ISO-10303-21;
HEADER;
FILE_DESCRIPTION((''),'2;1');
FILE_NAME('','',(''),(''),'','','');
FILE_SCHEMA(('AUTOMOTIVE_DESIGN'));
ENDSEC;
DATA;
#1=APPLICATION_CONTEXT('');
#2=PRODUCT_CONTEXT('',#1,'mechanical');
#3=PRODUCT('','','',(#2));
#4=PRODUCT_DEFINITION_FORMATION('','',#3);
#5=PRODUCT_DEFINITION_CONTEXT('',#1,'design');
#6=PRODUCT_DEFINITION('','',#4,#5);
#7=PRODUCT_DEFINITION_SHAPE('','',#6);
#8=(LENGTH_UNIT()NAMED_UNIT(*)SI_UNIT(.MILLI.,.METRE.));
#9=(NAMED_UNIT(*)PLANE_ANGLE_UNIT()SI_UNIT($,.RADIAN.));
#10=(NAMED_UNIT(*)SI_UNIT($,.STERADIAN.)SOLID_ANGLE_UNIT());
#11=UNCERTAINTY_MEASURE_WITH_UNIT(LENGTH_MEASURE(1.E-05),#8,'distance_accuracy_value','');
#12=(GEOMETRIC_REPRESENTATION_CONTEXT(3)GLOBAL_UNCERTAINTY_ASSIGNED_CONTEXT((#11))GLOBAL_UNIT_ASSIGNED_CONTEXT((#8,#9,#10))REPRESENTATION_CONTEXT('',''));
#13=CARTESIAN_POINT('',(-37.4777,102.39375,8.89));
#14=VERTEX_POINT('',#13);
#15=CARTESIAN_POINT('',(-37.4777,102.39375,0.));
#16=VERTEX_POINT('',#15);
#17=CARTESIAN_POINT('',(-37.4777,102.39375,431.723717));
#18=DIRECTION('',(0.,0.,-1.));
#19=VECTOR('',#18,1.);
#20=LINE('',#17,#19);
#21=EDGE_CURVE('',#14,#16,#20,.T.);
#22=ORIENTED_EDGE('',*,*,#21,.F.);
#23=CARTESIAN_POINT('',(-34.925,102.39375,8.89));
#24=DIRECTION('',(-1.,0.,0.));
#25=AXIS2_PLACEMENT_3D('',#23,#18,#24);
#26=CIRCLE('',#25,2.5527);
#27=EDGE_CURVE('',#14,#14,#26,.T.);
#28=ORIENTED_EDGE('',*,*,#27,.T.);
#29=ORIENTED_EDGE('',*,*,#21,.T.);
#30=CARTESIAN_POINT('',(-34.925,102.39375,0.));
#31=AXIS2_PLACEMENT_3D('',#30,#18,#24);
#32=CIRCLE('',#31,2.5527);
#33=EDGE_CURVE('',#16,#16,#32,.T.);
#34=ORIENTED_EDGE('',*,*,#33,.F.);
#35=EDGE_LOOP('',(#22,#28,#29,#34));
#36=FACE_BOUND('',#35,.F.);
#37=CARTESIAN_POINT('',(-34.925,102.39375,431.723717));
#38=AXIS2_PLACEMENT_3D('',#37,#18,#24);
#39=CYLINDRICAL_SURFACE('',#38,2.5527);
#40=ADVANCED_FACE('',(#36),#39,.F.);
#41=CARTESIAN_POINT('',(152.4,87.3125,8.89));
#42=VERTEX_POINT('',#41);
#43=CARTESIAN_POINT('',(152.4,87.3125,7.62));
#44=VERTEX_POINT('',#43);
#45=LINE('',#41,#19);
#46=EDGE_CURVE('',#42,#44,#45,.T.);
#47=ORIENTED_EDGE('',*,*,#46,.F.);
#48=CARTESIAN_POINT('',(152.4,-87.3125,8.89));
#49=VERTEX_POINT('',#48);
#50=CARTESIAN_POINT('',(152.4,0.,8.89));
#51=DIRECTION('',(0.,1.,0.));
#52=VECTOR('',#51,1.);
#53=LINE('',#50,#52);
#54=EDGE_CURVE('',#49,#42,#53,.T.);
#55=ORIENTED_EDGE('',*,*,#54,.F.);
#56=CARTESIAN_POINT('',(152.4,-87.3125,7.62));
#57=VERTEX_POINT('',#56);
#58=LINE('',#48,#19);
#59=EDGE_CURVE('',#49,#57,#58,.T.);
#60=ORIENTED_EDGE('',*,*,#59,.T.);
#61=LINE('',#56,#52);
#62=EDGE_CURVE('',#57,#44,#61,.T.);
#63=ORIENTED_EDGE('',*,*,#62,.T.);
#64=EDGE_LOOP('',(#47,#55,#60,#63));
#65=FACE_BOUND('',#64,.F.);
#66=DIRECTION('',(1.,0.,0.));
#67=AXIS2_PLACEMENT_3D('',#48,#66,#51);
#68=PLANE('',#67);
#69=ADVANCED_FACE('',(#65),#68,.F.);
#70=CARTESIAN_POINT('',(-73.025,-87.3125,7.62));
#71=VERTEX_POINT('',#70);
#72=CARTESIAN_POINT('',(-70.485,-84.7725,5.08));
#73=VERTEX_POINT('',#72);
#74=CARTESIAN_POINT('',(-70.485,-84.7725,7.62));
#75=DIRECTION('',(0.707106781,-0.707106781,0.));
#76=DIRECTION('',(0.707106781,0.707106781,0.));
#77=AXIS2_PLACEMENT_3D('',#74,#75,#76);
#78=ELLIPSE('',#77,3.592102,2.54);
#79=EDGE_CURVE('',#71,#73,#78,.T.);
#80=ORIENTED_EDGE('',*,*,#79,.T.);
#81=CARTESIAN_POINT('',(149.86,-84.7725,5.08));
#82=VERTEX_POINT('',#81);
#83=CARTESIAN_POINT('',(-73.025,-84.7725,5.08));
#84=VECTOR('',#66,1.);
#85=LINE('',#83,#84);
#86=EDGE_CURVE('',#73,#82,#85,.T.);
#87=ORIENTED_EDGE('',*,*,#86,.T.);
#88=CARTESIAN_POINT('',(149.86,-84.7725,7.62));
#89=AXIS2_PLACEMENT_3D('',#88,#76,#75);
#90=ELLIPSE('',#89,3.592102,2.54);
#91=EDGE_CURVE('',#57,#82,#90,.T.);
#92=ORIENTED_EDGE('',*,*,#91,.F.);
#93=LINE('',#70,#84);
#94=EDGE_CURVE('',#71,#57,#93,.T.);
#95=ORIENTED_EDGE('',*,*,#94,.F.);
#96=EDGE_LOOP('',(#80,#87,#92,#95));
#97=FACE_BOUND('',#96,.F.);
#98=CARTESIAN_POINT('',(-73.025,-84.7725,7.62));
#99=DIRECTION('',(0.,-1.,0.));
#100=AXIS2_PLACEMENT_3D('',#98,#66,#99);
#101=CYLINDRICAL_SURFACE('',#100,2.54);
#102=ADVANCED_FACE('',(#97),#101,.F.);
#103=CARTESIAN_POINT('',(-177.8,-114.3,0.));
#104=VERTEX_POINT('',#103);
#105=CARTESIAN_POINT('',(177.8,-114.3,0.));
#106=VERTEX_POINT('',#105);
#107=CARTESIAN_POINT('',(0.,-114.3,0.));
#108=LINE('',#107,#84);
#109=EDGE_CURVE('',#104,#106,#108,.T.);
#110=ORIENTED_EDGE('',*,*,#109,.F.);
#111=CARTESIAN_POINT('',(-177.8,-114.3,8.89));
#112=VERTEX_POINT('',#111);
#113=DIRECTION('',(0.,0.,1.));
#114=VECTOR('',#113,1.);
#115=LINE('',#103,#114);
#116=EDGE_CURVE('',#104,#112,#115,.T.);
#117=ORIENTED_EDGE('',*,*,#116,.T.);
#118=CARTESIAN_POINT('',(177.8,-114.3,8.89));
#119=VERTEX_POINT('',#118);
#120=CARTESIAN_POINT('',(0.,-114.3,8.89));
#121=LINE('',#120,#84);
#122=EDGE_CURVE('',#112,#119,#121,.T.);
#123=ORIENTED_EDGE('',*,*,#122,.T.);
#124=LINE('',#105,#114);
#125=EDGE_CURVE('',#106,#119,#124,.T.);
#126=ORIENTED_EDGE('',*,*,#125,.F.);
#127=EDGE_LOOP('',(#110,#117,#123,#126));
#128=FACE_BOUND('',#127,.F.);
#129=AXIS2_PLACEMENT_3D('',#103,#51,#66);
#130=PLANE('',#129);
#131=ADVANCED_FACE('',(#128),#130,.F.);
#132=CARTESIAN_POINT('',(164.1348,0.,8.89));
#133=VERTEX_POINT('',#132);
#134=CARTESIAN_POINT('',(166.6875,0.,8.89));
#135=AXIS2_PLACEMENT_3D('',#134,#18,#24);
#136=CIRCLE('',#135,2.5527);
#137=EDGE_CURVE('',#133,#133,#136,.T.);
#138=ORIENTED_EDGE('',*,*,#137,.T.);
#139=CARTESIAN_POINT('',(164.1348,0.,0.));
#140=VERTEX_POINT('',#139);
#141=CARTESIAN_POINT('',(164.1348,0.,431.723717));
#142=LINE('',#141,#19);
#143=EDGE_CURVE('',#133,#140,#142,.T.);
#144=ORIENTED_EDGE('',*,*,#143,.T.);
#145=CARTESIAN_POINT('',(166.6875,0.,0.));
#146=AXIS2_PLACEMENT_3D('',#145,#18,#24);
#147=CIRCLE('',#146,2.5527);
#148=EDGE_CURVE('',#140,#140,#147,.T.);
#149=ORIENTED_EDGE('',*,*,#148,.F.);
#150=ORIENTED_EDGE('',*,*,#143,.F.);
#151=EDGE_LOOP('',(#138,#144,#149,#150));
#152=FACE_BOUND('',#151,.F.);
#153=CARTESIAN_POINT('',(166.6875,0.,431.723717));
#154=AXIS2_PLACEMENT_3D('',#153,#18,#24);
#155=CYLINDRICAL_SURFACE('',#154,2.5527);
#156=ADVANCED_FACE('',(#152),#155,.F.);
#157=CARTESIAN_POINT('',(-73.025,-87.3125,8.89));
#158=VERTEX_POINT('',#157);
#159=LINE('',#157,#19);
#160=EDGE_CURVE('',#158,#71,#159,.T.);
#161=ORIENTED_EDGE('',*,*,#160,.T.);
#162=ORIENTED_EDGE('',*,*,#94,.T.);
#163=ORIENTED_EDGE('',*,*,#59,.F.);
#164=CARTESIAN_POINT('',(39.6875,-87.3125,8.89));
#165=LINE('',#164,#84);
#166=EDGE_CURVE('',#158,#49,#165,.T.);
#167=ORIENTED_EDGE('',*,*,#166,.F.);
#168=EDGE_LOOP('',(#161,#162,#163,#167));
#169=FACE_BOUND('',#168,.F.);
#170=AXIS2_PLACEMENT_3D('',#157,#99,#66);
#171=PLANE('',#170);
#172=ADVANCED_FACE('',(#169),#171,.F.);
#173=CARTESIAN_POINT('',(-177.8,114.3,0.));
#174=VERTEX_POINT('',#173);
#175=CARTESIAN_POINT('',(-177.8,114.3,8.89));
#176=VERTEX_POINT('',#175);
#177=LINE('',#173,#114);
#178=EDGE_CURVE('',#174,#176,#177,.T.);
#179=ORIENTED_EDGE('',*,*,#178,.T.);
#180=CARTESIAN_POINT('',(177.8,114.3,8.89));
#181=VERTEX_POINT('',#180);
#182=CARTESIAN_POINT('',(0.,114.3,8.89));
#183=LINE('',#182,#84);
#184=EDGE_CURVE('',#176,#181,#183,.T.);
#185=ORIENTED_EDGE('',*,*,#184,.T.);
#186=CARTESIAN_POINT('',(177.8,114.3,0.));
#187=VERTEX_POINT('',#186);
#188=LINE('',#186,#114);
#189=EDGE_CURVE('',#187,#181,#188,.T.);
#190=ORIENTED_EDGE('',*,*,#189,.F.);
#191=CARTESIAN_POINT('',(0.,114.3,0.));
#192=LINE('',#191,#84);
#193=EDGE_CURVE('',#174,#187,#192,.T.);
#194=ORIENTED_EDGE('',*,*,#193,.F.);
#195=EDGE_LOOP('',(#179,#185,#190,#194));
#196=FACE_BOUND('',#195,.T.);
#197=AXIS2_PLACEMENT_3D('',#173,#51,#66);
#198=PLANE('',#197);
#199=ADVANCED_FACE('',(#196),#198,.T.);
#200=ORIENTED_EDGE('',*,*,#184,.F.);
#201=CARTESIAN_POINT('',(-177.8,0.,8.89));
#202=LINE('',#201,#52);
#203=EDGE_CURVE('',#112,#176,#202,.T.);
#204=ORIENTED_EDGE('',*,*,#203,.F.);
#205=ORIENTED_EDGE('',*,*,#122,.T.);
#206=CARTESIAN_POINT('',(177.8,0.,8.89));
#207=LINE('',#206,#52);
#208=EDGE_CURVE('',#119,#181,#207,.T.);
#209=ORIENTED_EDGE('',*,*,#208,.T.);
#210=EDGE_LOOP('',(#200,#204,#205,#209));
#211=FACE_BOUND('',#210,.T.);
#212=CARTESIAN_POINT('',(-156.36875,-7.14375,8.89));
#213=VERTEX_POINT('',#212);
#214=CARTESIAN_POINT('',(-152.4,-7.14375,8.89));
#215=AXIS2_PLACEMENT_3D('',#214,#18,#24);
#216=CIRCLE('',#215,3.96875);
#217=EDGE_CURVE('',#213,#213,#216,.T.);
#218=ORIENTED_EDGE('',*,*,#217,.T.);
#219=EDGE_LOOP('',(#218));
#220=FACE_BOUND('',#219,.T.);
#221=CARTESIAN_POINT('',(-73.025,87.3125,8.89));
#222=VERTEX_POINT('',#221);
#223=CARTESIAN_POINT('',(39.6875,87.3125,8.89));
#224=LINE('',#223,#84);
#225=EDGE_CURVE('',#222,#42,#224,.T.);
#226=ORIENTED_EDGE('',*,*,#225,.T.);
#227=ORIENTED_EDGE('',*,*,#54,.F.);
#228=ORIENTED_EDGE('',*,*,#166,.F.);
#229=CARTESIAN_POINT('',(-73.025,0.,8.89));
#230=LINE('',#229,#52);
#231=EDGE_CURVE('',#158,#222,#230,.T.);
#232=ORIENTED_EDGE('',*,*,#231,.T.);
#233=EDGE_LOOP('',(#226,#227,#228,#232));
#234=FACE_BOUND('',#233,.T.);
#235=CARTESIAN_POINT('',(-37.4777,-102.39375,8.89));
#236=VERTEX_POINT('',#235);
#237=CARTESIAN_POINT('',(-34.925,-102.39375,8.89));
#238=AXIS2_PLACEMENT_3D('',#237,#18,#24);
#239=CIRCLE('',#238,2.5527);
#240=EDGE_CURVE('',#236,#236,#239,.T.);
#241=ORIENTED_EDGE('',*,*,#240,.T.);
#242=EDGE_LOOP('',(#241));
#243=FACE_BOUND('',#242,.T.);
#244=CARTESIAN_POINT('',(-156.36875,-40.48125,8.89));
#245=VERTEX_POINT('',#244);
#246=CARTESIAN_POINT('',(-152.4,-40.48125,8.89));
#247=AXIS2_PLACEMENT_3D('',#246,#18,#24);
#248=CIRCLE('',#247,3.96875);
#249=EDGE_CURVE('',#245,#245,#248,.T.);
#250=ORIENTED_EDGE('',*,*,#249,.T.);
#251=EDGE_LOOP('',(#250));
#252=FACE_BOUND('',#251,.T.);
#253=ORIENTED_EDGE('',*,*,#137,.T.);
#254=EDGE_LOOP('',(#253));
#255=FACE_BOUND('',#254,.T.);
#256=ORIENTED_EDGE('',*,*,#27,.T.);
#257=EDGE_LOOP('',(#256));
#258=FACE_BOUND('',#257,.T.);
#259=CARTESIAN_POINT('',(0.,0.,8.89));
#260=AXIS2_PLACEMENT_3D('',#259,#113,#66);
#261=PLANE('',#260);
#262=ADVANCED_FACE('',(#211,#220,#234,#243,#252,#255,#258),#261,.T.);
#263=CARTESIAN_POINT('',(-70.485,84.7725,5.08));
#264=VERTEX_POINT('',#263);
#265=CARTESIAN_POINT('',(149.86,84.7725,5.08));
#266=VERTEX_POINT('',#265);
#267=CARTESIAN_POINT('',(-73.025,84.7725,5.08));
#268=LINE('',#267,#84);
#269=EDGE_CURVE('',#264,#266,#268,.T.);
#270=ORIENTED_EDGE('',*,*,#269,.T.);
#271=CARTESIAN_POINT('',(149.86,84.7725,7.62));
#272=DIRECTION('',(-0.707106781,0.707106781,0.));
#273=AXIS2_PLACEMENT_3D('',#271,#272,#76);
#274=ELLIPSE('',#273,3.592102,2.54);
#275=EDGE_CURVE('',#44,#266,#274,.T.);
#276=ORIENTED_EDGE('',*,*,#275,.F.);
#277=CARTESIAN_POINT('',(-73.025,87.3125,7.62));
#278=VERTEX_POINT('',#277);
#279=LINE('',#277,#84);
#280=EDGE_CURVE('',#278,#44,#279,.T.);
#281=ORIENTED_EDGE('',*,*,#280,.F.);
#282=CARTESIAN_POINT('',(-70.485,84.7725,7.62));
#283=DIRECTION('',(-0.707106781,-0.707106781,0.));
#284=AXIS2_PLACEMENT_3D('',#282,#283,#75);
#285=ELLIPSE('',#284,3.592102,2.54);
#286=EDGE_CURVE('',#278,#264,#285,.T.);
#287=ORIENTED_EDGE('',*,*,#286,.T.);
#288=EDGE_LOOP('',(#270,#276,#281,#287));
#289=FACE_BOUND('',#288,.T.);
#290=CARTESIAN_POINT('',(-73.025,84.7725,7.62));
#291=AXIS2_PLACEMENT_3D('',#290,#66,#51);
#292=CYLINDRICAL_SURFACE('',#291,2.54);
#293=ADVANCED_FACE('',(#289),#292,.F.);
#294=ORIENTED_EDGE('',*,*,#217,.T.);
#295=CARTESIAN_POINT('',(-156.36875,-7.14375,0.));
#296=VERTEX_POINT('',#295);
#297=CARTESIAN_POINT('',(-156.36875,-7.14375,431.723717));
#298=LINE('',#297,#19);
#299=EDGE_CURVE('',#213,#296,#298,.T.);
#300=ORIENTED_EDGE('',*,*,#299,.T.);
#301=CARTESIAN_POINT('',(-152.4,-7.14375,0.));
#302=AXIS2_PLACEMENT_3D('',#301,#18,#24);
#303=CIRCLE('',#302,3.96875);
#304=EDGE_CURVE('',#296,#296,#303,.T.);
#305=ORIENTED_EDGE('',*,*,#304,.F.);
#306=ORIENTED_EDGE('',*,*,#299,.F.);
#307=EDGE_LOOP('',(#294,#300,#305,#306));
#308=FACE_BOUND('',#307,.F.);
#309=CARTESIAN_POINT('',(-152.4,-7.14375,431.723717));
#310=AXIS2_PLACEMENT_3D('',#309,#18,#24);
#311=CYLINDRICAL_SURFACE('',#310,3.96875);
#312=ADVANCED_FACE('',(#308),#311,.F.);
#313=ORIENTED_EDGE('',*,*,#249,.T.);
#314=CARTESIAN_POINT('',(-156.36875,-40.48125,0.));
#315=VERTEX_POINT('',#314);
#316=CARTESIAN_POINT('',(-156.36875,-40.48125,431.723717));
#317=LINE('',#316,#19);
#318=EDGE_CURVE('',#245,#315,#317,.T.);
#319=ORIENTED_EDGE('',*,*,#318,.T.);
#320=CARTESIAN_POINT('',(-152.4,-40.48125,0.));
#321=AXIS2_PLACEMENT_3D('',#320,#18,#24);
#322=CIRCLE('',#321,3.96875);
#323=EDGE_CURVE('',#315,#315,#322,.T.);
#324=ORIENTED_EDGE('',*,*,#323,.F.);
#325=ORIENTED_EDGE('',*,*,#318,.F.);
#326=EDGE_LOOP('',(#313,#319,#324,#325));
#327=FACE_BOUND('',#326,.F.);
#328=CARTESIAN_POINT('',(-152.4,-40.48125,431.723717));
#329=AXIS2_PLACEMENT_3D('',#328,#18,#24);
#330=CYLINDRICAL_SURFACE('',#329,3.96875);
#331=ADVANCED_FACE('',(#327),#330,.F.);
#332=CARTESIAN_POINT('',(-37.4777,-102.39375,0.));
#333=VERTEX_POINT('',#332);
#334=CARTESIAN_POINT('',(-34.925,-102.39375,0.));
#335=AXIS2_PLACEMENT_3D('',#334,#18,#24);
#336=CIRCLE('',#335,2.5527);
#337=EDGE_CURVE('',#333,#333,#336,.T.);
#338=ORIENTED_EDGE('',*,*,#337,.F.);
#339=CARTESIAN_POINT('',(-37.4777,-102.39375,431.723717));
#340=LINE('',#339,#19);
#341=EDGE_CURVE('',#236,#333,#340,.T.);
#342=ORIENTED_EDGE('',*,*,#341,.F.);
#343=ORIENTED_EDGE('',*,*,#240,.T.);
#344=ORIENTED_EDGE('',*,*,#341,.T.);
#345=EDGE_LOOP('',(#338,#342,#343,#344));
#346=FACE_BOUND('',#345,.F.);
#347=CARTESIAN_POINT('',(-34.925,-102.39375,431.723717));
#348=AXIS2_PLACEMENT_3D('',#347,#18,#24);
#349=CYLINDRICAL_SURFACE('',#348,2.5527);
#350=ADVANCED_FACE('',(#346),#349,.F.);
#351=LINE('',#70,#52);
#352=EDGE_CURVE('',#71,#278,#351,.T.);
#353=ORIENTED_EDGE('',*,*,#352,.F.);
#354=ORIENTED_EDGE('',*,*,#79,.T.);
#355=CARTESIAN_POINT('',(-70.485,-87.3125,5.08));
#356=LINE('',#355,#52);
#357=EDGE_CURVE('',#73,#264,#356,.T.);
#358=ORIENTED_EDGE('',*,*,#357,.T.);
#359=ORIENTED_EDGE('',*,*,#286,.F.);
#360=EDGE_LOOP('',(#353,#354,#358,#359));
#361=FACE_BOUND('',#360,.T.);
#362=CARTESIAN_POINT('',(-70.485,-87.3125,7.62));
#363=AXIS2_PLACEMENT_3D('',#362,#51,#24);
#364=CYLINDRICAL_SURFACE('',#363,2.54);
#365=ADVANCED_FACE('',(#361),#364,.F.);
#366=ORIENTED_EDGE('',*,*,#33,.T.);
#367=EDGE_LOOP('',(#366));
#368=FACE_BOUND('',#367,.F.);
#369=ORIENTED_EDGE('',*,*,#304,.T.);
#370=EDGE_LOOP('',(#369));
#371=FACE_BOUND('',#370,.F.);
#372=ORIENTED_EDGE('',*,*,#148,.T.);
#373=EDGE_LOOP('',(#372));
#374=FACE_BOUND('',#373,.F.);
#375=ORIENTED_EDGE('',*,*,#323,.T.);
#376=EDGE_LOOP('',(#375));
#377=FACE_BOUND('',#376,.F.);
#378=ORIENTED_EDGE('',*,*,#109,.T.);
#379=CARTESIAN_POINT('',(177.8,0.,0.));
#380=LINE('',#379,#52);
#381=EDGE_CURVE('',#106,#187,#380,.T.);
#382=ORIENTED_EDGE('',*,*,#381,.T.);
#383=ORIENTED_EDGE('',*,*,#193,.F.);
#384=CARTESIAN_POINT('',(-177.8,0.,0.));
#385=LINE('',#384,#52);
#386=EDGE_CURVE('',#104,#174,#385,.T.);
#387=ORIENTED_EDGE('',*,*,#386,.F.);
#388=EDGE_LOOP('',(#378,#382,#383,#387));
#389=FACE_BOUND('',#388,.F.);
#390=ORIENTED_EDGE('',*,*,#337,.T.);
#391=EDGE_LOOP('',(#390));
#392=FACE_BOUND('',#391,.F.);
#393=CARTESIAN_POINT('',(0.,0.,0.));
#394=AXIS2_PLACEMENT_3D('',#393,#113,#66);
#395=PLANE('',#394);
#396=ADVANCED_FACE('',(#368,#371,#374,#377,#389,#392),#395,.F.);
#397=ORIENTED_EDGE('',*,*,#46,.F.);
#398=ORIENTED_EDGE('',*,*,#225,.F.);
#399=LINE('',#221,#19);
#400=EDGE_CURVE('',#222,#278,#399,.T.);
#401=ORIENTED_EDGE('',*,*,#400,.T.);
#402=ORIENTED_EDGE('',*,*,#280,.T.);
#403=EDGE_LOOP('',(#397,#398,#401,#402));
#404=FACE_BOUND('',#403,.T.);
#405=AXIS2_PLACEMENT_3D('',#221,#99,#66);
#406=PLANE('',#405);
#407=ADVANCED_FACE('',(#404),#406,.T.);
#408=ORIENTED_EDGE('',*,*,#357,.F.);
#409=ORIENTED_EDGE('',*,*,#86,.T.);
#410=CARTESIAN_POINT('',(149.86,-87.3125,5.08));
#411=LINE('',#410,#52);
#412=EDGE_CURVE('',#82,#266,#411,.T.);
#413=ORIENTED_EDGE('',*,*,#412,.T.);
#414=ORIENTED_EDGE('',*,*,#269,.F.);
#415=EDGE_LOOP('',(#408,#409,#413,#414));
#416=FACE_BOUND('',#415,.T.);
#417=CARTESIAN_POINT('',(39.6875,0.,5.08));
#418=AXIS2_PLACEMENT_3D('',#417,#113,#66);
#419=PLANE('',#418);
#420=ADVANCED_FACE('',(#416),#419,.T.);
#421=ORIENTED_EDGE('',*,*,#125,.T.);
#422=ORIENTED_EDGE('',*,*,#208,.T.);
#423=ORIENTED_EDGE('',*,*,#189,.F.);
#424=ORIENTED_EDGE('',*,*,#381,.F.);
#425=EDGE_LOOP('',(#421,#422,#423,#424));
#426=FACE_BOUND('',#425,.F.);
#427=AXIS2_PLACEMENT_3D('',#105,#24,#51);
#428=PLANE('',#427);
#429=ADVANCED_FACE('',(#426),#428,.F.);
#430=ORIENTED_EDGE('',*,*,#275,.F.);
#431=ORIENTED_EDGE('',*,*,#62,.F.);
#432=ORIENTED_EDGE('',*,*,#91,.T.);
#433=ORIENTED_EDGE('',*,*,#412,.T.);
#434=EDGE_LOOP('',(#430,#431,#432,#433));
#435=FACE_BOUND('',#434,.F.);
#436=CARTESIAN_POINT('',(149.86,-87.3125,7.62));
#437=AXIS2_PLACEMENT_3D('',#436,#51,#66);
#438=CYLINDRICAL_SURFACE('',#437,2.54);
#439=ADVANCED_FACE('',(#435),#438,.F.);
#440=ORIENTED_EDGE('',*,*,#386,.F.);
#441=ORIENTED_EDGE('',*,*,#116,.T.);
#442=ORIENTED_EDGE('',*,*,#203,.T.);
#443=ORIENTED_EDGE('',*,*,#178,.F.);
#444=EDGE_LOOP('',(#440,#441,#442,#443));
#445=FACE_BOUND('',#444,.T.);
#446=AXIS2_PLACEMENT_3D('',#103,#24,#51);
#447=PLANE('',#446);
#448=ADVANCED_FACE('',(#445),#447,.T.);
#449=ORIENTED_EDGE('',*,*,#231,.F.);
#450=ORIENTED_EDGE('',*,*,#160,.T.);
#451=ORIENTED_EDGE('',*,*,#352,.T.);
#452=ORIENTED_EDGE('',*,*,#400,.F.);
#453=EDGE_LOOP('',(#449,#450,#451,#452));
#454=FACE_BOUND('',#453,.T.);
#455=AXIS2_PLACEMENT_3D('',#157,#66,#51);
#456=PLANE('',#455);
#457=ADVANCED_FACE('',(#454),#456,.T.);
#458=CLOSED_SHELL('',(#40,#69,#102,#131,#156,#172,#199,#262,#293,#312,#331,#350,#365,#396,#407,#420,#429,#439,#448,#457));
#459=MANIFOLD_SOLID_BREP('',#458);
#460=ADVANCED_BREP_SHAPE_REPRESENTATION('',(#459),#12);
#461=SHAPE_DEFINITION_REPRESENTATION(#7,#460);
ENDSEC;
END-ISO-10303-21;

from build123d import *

# Parameters (mm, degrees)
F0_W     = 355.6
F0_H     = 228.6
F1_DEPTH = 8.89
F2_W     = 225.425
F2_H     = 174.625
F3_DEPTH = 3.81
F4_R     = 2.54
F6_D     = 5.1054
F8_D     = 7.9375


with BuildPart() as f1:
    # F0 (on Top) → F1 (new body)
    with BuildSketch(Plane.XY):
        Rectangle(F0_W, F0_H)
    extrude(amount=F1_DEPTH)

    # F2 (on face) → F3 (cut)
    with BuildSketch(Plane.XY.offset(8.89)):
        with Locations((39.6875, 0)):
            Rectangle(F2_W, F2_H)
    extrude(amount=-F3_DEPTH, mode=Mode.SUBTRACT)

    # F4
    f4_edges = [f1.edges().sort_by_distance(p)[0] for p in [
        (39.6875, -87.3125, 5.08),
        (152.4, 0, 5.08),
        (39.6875, 87.3125, 5.08),
        (-73.025, 0, 5.08),
    ]]
    fillet(f4_edges, radius=F4_R)

    # F6 (through all)
    with Locations(Plane.XY.offset(8.89)):
        with Locations((-34.925, -102.39375), (-34.925, 102.39375), (166.6875, 0)):
            Hole(F6_D / 2)

    # F8 (through all)
    with Locations(Plane.XY.offset(8.89)):
        with Locations((-152.4, -7.14375), (-152.4, -40.48125)):
            Hole(F8_D / 2)


solid = f1.part
